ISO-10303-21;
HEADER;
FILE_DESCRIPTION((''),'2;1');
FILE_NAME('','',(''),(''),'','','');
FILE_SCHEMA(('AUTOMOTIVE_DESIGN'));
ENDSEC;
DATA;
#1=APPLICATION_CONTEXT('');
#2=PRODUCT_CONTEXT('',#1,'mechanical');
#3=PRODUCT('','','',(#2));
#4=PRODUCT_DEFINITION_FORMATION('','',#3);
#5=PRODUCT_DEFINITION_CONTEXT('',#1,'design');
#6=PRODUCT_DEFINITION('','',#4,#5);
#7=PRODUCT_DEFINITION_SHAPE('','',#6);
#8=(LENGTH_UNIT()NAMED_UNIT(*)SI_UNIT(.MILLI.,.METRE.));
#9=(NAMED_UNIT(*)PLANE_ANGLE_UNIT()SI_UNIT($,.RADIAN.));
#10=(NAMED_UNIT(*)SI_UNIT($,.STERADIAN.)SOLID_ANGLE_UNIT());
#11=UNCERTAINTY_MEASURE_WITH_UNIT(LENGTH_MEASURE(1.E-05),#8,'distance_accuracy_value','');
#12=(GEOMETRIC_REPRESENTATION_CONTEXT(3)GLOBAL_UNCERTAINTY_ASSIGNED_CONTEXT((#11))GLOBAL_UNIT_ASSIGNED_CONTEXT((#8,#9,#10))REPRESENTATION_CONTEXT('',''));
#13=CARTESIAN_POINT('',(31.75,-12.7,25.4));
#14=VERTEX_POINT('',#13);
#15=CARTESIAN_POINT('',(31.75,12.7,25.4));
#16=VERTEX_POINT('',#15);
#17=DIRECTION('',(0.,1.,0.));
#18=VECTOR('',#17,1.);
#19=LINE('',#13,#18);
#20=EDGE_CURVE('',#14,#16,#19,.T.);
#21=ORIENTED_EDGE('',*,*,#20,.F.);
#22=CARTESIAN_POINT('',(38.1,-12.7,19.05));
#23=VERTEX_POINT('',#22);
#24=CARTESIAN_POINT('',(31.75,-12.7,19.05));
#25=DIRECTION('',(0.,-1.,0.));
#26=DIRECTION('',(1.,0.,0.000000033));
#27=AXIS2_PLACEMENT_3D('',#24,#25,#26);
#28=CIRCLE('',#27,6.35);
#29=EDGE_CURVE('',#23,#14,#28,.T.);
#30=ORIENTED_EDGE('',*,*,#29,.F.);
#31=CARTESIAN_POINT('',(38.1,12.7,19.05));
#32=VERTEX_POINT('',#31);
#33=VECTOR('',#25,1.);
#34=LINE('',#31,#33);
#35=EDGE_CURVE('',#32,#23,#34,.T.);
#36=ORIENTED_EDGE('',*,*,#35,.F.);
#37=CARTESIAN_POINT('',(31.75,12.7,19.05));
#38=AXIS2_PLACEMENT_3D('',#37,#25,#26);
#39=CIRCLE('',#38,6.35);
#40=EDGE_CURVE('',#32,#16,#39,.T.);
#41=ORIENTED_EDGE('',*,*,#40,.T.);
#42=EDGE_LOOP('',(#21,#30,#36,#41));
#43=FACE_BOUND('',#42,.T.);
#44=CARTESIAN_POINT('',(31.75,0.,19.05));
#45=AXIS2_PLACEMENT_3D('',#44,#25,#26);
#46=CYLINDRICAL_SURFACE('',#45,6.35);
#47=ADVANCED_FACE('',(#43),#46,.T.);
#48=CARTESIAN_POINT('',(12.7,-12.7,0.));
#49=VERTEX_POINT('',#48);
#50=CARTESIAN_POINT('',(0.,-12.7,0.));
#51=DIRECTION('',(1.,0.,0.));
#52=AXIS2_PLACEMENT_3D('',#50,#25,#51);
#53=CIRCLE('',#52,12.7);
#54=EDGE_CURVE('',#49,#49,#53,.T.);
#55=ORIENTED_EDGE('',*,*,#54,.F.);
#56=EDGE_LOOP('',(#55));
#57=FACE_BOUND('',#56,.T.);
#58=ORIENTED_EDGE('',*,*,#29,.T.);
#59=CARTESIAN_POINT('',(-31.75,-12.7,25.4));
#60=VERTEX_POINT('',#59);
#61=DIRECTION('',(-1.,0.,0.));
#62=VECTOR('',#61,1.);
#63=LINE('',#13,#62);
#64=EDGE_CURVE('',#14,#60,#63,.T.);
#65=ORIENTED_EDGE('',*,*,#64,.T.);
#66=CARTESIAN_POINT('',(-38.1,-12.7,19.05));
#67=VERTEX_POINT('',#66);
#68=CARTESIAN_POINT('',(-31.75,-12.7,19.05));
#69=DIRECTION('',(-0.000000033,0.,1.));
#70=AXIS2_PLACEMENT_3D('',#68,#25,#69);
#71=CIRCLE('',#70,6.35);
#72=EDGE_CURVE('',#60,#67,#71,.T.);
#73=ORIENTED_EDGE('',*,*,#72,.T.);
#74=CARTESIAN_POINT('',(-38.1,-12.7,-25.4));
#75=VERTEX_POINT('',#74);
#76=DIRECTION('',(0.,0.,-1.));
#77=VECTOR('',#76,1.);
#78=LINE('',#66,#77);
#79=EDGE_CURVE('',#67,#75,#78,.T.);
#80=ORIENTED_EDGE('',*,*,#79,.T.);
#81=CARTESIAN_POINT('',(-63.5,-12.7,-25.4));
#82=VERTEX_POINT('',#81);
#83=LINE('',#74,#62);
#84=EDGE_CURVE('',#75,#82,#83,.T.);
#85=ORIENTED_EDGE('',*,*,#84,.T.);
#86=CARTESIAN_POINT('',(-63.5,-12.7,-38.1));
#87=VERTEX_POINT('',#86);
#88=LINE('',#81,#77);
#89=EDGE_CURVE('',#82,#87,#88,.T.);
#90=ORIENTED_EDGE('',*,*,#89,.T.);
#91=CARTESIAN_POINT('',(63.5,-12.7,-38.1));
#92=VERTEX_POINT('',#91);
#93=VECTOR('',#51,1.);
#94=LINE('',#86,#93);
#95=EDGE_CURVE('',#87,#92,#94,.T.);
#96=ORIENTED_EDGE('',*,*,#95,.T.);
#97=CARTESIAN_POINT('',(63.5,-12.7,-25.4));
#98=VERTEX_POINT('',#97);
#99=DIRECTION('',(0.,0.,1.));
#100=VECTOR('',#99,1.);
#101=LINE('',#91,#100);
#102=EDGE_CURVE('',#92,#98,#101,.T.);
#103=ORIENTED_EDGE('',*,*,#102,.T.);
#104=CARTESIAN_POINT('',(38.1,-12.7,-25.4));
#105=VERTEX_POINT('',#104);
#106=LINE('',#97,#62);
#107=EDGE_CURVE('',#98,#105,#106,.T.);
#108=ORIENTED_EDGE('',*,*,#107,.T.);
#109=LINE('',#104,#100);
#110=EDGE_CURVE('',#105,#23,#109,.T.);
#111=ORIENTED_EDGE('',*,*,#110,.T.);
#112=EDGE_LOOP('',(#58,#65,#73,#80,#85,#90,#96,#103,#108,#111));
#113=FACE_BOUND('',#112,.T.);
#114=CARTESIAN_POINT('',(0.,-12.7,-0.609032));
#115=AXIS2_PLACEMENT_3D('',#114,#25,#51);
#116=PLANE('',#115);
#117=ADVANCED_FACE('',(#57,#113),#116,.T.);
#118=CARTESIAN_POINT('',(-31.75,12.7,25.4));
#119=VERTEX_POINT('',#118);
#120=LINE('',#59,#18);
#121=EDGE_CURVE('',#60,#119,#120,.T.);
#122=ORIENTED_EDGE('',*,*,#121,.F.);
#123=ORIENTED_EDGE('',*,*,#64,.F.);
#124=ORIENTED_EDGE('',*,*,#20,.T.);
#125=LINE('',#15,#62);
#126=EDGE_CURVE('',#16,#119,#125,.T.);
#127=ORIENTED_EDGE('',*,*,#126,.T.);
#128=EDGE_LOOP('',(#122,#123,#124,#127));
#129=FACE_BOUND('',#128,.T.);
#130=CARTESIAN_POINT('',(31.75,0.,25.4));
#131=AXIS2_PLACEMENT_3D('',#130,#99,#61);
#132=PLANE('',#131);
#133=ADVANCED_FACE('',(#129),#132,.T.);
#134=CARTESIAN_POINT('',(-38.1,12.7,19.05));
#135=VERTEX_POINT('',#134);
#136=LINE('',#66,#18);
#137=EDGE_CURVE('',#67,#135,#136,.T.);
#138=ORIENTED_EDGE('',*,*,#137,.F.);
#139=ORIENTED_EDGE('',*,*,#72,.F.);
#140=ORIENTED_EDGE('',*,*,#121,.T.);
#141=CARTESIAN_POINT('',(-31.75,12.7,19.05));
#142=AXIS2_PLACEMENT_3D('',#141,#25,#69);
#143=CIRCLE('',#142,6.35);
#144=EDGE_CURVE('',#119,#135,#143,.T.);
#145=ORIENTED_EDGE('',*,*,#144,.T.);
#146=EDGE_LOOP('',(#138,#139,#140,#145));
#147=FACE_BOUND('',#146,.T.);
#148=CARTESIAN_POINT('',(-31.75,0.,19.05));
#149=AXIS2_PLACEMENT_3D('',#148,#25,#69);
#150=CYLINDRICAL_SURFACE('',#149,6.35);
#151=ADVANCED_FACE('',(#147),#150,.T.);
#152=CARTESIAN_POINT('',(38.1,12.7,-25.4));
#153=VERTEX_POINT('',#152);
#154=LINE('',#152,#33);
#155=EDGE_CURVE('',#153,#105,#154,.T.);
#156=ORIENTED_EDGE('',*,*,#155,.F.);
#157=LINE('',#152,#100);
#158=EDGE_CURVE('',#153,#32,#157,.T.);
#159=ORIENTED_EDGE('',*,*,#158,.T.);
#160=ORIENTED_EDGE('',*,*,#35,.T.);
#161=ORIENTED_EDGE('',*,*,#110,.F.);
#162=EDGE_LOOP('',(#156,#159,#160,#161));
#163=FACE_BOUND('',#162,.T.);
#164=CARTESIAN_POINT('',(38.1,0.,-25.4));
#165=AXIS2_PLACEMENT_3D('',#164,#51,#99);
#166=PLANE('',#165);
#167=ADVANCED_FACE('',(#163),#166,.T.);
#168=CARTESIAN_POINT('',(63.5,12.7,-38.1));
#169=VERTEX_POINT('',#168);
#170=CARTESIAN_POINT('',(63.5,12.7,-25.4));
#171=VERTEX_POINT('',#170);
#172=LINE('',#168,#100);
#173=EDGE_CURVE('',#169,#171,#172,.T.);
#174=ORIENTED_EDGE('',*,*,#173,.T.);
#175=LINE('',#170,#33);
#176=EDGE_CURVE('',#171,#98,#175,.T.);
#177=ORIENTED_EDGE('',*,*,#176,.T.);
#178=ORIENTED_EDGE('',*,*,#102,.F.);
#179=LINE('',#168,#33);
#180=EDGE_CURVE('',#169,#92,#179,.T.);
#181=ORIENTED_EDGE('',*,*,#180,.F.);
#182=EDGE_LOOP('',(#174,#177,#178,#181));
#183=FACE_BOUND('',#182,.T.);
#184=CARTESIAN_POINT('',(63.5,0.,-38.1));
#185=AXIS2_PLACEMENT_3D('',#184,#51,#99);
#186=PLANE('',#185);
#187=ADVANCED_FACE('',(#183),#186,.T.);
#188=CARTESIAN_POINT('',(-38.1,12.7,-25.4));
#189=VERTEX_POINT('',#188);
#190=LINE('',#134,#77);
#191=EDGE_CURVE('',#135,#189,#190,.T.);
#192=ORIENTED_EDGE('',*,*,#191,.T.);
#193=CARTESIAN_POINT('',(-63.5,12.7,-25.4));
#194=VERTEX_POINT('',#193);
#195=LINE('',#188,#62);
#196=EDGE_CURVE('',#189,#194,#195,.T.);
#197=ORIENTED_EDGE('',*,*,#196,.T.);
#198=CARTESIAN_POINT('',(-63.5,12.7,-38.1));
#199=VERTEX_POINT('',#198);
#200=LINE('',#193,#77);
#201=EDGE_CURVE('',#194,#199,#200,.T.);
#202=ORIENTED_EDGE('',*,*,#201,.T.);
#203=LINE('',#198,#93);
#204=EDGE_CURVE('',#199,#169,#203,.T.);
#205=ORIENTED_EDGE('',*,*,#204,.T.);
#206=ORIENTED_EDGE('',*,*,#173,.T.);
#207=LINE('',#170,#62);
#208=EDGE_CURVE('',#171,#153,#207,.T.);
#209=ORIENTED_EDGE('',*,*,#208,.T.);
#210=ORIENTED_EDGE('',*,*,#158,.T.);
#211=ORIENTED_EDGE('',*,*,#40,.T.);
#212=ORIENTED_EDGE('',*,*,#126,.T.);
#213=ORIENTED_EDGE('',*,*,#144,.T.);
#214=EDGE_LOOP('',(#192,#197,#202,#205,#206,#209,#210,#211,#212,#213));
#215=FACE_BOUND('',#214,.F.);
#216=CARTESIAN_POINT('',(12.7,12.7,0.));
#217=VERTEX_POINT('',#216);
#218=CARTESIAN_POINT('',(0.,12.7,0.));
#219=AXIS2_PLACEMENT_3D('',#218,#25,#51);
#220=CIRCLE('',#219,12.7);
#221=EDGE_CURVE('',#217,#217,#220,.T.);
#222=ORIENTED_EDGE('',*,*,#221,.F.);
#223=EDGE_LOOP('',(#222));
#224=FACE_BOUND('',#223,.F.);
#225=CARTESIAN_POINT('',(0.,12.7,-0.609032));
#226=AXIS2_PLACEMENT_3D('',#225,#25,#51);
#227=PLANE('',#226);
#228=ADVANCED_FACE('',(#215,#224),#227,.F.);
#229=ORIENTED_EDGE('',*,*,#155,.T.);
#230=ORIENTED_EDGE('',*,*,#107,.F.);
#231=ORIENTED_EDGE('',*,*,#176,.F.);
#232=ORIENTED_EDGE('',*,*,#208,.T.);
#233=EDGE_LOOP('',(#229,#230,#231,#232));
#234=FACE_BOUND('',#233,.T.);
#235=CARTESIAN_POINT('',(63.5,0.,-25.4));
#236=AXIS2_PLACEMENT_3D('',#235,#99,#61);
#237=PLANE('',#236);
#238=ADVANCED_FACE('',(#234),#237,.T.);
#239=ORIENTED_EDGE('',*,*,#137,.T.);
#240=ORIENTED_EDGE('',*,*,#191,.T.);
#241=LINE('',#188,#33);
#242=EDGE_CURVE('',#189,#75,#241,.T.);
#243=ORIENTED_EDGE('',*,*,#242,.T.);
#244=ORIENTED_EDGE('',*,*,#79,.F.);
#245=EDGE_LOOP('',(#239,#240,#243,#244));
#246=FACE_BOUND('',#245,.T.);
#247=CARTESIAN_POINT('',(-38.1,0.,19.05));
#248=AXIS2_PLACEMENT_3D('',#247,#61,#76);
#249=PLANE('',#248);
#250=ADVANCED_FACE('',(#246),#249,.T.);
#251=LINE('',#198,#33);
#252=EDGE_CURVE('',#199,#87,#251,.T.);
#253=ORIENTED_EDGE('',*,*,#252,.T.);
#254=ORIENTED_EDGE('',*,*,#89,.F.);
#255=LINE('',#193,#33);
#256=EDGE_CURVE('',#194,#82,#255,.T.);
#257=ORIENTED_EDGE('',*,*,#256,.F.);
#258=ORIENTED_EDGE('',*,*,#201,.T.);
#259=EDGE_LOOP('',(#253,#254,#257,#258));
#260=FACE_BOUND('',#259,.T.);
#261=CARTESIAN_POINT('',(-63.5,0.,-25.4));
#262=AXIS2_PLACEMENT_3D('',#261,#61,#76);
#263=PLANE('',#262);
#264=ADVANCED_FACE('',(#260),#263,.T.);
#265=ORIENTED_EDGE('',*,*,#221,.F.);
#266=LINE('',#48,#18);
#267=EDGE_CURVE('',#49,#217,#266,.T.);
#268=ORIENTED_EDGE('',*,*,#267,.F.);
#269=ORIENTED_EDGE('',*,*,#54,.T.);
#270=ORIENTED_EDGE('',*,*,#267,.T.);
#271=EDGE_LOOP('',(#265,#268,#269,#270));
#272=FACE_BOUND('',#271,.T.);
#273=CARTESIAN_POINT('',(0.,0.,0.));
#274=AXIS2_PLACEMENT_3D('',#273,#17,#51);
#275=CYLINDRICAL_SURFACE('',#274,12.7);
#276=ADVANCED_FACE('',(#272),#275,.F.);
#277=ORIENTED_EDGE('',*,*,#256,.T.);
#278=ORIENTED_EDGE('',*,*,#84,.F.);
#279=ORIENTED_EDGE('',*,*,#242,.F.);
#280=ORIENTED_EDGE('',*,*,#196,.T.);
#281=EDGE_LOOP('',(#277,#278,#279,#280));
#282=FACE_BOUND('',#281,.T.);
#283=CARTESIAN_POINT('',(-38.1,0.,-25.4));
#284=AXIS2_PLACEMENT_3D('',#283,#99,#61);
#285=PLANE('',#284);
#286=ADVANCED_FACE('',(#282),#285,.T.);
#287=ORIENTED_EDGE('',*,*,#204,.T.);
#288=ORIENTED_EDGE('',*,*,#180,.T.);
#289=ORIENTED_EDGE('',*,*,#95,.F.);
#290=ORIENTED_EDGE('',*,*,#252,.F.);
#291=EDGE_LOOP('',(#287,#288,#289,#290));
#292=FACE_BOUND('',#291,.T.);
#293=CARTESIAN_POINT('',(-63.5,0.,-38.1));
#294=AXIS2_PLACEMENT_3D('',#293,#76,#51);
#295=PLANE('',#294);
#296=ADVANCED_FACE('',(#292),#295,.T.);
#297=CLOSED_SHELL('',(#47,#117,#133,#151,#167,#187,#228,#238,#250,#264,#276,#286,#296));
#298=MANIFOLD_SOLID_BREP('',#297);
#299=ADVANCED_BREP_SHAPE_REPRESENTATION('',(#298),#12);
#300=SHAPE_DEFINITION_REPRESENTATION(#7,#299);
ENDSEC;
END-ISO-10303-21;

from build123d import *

# Parameters (mm, degrees)
F0_R     = 12.7
F1_DEPTH = 12.7


with BuildPart() as f1:
    # F0 (on Front) → F1 (new body, symmetric)
    with BuildSketch(Plane.XZ):
        with BuildLine():
            Line((-38.1, 19.05), (-38.1, -25.4))
            Line((-38.1, -25.4), (38.1, -25.4))
            Line((38.1, -25.4), (38.1, 19.05))
            ThreePointArc((38.1, 19.05), (36.240128, 23.540128), (31.75, 25.4))
            Line((31.75, 25.4), (-31.75, 25.4))
            ThreePointArc((-31.75, 25.4), (-36.240128, 23.540128), (-38.1, 19.05))
        make_face()
        Circle(F0_R, mode=Mode.SUBTRACT)
        Polygon((-38.1, -25.4), (-63.5, -25.4), (-63.5, -38.1), (63.5, -38.1), (63.5, -25.4), (38.1, -25.4), align=None)
    extrude(amount=F1_DEPTH, both=True)


solid = f1.part
